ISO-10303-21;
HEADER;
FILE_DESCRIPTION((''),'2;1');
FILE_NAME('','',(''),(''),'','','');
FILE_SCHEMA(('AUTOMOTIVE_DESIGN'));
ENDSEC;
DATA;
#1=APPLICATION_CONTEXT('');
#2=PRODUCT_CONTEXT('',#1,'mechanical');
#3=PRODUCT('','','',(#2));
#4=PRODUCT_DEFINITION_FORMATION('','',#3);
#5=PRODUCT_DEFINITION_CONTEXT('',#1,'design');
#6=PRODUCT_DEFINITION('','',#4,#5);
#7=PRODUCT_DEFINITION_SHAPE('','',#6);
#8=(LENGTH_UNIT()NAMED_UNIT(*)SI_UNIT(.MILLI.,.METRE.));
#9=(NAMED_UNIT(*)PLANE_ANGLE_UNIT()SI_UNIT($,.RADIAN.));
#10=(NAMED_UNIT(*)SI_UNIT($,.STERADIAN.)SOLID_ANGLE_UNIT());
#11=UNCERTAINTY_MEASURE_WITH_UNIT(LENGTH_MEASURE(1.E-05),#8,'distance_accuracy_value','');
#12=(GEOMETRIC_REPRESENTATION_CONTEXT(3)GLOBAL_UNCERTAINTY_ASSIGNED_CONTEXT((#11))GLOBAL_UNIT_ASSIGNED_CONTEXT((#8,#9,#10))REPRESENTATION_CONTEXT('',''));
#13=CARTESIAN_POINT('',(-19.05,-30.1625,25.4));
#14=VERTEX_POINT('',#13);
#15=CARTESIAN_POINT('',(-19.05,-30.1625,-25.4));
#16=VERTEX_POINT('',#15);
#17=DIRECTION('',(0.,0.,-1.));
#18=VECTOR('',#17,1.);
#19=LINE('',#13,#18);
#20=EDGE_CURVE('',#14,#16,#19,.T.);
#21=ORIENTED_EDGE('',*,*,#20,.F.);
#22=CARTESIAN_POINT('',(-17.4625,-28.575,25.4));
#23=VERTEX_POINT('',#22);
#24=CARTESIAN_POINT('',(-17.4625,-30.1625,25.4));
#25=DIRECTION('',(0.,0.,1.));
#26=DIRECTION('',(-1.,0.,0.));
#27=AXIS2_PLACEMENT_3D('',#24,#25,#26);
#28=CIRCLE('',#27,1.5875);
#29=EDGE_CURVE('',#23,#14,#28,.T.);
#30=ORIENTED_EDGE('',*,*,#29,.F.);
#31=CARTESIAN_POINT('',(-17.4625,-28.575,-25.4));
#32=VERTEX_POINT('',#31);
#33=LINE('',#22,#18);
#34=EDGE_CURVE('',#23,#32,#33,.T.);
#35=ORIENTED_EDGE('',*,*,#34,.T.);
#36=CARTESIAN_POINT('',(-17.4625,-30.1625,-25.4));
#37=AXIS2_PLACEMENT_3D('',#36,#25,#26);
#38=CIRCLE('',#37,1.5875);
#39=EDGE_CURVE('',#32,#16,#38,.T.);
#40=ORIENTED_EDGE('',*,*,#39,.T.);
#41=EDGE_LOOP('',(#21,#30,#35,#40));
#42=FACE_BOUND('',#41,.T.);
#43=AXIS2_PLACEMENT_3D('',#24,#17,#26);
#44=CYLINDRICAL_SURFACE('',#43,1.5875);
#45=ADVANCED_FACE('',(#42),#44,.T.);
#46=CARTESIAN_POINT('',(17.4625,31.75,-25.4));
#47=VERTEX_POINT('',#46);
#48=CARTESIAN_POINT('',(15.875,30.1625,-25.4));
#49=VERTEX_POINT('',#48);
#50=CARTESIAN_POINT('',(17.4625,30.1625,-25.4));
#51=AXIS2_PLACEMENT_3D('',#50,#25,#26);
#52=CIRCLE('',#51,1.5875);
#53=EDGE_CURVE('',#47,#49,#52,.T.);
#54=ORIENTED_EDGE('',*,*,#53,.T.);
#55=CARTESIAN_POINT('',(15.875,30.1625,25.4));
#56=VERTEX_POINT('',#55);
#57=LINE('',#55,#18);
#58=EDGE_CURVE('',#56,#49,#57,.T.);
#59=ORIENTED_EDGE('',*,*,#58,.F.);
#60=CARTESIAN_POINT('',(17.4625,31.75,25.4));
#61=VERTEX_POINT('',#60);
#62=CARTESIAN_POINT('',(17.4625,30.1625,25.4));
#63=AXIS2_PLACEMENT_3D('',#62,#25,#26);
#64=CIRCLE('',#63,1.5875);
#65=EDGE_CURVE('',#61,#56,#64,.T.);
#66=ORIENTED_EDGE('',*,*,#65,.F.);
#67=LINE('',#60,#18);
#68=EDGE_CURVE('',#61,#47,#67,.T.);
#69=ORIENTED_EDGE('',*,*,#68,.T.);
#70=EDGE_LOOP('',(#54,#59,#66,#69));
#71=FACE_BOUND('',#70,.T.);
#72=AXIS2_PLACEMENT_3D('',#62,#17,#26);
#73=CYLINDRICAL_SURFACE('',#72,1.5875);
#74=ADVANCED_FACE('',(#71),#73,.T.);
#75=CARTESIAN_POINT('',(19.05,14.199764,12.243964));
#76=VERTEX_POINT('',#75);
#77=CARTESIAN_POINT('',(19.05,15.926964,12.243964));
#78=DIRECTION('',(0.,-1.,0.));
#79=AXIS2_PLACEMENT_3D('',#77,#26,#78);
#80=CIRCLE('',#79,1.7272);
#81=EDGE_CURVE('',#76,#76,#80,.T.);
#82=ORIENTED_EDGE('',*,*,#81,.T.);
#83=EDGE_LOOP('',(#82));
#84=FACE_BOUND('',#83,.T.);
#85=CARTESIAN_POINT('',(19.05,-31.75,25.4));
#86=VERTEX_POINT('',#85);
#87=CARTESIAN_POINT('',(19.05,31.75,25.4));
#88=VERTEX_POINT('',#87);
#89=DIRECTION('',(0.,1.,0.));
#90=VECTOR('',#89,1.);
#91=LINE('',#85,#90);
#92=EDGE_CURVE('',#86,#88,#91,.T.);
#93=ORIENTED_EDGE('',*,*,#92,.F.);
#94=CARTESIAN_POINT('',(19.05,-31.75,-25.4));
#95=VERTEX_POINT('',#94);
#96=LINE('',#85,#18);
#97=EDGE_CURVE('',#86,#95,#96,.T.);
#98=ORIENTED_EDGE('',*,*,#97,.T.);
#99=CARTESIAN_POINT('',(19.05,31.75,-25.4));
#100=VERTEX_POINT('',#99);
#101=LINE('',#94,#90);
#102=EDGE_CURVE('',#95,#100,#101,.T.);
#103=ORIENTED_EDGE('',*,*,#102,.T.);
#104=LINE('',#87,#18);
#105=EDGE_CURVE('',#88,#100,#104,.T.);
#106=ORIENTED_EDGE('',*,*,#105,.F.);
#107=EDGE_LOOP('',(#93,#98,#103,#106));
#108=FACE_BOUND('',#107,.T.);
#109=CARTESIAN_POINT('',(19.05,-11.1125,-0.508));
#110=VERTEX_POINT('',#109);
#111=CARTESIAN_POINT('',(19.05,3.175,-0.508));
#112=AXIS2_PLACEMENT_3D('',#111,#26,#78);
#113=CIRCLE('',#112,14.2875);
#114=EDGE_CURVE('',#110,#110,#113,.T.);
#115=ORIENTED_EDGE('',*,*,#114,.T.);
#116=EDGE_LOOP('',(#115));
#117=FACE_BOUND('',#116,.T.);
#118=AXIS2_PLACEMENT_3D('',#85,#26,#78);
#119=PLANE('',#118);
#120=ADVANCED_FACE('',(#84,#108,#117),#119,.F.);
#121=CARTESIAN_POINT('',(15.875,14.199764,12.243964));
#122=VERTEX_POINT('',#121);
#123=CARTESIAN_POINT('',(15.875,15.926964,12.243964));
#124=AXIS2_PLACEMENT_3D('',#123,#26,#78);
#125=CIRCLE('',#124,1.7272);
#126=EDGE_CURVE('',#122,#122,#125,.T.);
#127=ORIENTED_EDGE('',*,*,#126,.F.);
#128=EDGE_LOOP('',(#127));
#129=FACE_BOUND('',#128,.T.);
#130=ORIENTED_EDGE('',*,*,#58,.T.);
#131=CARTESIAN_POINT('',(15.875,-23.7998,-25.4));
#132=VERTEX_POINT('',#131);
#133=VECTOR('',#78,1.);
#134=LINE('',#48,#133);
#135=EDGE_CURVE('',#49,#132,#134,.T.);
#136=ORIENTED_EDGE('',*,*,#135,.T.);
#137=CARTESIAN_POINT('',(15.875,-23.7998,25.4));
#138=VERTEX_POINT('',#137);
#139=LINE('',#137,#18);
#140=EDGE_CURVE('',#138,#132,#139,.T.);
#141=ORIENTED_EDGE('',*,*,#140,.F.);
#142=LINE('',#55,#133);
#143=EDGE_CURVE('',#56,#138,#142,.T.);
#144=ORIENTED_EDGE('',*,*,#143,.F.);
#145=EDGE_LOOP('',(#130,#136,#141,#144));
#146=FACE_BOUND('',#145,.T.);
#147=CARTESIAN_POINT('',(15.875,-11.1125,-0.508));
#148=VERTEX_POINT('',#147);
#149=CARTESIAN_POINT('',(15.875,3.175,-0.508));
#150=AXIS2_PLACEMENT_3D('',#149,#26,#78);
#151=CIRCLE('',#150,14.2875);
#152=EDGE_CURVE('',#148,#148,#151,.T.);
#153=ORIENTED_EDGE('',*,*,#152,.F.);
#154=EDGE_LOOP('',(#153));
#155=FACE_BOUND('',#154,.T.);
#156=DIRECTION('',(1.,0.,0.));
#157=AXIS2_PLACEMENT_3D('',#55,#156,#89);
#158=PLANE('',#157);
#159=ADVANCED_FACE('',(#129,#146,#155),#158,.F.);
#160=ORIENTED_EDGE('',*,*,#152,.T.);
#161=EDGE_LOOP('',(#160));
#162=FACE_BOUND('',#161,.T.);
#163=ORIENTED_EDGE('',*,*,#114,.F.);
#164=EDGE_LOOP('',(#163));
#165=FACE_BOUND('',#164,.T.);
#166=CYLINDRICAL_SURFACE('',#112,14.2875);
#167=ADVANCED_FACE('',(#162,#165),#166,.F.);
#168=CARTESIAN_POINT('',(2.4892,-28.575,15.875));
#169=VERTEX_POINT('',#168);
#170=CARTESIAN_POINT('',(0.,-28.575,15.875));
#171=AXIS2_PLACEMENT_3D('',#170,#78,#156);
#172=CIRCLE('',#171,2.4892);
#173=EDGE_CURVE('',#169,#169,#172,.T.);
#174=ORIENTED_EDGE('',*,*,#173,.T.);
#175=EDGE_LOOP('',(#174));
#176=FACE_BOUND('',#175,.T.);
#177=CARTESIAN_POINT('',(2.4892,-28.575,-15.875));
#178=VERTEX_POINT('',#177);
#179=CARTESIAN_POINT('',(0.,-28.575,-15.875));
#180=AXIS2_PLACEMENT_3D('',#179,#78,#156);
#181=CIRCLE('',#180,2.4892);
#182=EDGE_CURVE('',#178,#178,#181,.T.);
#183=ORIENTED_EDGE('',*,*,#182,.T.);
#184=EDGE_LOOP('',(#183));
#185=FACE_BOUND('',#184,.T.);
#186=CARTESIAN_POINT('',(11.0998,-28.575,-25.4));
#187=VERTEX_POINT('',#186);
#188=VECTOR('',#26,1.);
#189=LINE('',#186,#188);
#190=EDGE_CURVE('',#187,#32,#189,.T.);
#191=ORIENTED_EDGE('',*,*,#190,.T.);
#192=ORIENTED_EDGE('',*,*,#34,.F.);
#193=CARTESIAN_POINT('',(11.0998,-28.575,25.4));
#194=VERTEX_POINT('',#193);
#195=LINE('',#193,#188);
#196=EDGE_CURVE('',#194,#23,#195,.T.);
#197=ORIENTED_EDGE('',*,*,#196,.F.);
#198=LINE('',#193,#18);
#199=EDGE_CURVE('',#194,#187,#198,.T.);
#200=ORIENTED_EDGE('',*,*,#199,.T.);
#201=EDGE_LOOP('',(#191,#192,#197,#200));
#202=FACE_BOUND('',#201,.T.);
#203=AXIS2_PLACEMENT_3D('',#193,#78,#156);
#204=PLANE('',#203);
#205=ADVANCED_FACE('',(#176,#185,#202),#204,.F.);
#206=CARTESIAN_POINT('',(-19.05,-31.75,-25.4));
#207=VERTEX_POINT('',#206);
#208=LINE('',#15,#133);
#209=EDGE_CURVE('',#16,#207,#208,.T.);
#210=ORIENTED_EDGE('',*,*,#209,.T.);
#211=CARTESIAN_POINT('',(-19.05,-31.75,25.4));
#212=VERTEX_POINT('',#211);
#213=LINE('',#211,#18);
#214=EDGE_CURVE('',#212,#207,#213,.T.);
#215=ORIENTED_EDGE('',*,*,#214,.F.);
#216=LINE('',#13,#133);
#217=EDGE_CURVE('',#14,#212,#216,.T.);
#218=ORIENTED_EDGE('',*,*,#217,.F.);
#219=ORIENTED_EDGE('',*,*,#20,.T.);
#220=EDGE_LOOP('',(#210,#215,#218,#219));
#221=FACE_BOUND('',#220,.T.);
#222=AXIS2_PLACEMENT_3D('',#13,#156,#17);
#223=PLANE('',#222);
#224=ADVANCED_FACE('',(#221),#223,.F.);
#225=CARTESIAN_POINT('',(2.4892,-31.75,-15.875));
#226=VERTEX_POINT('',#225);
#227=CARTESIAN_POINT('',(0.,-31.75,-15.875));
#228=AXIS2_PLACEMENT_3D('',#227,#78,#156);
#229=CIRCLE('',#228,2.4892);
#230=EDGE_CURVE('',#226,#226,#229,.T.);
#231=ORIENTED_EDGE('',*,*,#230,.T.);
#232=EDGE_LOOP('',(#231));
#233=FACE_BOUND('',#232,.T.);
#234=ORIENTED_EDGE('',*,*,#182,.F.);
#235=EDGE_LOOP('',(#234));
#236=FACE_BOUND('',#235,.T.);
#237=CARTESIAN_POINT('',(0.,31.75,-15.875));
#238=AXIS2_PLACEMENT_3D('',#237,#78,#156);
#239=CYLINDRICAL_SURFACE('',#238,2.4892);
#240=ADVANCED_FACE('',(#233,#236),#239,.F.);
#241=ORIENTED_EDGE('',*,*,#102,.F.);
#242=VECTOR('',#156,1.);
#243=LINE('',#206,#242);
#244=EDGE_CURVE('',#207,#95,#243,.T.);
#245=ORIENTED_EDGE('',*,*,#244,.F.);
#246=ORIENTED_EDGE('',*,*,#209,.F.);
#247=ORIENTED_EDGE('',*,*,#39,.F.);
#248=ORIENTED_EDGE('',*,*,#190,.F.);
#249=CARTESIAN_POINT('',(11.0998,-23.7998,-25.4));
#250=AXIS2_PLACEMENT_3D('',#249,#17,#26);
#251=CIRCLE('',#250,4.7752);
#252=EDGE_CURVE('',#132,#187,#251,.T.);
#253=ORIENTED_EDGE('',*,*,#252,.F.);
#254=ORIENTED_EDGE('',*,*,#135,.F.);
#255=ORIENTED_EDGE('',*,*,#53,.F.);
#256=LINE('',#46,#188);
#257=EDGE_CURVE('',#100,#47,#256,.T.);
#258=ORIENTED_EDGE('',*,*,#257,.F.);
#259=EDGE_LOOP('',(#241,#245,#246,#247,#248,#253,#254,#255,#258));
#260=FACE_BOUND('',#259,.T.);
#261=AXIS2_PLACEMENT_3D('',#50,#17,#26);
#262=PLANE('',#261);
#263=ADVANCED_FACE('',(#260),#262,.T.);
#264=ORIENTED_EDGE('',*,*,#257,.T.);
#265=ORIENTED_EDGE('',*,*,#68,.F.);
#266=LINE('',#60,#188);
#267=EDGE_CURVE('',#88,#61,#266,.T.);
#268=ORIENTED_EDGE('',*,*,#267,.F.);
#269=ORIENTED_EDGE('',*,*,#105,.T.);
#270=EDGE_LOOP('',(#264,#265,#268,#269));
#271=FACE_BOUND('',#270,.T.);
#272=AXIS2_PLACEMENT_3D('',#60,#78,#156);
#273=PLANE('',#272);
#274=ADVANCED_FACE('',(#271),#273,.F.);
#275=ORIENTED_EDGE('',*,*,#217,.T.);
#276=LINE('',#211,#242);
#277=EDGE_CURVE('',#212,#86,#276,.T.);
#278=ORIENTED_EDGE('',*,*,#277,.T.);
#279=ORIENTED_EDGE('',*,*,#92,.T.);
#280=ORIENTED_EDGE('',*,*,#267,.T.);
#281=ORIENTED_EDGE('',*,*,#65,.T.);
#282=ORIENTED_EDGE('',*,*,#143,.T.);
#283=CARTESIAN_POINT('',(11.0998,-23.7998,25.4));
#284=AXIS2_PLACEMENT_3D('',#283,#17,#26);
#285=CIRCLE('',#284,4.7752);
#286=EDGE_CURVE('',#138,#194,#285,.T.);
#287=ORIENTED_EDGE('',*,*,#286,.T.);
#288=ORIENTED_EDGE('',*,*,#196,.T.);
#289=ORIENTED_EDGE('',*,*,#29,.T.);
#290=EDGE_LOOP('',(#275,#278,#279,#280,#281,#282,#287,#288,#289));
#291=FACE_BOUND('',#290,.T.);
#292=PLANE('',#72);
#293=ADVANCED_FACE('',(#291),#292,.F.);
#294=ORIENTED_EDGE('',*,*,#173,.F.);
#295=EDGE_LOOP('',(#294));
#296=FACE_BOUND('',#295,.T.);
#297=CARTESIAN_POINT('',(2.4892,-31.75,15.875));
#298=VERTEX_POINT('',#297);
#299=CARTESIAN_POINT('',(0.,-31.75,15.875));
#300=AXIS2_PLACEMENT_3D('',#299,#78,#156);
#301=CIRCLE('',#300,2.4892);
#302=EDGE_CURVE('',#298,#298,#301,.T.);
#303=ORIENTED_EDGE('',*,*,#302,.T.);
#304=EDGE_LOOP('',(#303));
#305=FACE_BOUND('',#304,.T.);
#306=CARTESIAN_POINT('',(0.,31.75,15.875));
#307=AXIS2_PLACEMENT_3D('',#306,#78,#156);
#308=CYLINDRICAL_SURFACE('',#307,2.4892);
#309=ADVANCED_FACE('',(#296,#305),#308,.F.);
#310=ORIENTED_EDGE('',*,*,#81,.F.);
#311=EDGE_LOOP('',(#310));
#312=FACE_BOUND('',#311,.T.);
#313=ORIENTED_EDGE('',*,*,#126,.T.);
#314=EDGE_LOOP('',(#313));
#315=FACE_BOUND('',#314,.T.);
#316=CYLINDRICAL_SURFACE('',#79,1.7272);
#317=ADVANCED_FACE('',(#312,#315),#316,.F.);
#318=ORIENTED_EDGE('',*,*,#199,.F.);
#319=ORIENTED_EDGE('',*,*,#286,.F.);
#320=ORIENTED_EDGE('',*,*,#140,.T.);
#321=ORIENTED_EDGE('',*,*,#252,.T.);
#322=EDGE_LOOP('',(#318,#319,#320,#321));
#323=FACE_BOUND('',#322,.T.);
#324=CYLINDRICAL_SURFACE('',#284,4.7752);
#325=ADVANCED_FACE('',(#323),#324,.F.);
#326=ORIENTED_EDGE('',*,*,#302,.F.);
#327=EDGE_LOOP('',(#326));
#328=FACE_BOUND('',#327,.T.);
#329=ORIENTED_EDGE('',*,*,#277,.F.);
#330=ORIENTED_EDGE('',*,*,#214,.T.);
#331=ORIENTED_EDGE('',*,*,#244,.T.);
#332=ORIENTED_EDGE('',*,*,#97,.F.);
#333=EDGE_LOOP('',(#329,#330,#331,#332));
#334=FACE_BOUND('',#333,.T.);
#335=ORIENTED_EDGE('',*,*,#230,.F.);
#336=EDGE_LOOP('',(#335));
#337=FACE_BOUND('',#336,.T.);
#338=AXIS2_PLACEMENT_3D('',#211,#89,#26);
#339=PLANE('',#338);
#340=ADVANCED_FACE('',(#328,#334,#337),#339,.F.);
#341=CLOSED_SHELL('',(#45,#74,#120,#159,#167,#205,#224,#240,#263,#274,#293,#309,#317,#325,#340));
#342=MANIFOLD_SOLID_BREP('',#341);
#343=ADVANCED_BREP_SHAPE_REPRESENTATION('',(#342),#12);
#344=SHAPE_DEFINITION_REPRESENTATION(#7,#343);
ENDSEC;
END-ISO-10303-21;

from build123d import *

# Parameters (mm, degrees)
BOSS_EXTRUDE1_DEPTH = 25.4
SKETCH3_R           = 14.2875
SKETCH3_R_2         = 1.7272
CUT_EXTRUDE1_DEPTH  = 54.600169076
SKETCH9_R           = 2.4892
CUT_EXTRUDE2_DEPTH  = 71.995158286


with BuildPart() as part:
    # Sketch2 → Boss-Extrude1 (new, symmetric)
    with BuildSketch(Plane.XY):
        with BuildLine():
            Line((-19.05, -31.75), (19.05, -31.75))
            Line((19.05, -31.75), (19.05, 31.75))
            Line((19.05, 31.75), (17.4625, 31.75))
            ThreePointArc((17.4625, 31.75), (16.339967985, 31.285032015), (15.875, 30.1625))
            Line((15.875, 30.1625), (15.875, -23.7998))
            ThreePointArc((15.875, -23.7998), (14.476376302, -27.176376302), (11.0998, -28.575))
            Line((11.0998, -28.575), (-17.4625, -28.575))
            ThreePointArc((-17.4625, -28.575), (-18.585032015, -29.039967985), (-19.05, -30.1625))
            Line((-19.05, -30.1625), (-19.05, -31.75))
        make_face()
    extrude(amount=BOSS_EXTRUDE1_DEPTH, both=True)

    # Sketch3 → Cut-Extrude1 (cut, through all)
    with BuildSketch(Plane.ZY.offset(-15.875)):
        with Locations(Location((-0.50799991, 3.175, 0), (0, 0, 270))):
            Circle(SKETCH3_R)
        with Locations(Location((12.243963782, 15.926963692, 0), (0, 0, 270))):
            Circle(SKETCH3_R_2)
    extrude(amount=-CUT_EXTRUDE1_DEPTH, mode=Mode.SUBTRACT)

    # Sketch9 → Cut-Extrude2 (cut, through all)
    with BuildSketch(Plane.XZ.offset(31.75)):
        with Locations((0, 15.875)):
            Circle(SKETCH9_R)
        with Locations((0, -15.875)):
            Circle(SKETCH9_R)
    extrude(amount=-CUT_EXTRUDE2_DEPTH, mode=Mode.SUBTRACT)


solid = part.part
